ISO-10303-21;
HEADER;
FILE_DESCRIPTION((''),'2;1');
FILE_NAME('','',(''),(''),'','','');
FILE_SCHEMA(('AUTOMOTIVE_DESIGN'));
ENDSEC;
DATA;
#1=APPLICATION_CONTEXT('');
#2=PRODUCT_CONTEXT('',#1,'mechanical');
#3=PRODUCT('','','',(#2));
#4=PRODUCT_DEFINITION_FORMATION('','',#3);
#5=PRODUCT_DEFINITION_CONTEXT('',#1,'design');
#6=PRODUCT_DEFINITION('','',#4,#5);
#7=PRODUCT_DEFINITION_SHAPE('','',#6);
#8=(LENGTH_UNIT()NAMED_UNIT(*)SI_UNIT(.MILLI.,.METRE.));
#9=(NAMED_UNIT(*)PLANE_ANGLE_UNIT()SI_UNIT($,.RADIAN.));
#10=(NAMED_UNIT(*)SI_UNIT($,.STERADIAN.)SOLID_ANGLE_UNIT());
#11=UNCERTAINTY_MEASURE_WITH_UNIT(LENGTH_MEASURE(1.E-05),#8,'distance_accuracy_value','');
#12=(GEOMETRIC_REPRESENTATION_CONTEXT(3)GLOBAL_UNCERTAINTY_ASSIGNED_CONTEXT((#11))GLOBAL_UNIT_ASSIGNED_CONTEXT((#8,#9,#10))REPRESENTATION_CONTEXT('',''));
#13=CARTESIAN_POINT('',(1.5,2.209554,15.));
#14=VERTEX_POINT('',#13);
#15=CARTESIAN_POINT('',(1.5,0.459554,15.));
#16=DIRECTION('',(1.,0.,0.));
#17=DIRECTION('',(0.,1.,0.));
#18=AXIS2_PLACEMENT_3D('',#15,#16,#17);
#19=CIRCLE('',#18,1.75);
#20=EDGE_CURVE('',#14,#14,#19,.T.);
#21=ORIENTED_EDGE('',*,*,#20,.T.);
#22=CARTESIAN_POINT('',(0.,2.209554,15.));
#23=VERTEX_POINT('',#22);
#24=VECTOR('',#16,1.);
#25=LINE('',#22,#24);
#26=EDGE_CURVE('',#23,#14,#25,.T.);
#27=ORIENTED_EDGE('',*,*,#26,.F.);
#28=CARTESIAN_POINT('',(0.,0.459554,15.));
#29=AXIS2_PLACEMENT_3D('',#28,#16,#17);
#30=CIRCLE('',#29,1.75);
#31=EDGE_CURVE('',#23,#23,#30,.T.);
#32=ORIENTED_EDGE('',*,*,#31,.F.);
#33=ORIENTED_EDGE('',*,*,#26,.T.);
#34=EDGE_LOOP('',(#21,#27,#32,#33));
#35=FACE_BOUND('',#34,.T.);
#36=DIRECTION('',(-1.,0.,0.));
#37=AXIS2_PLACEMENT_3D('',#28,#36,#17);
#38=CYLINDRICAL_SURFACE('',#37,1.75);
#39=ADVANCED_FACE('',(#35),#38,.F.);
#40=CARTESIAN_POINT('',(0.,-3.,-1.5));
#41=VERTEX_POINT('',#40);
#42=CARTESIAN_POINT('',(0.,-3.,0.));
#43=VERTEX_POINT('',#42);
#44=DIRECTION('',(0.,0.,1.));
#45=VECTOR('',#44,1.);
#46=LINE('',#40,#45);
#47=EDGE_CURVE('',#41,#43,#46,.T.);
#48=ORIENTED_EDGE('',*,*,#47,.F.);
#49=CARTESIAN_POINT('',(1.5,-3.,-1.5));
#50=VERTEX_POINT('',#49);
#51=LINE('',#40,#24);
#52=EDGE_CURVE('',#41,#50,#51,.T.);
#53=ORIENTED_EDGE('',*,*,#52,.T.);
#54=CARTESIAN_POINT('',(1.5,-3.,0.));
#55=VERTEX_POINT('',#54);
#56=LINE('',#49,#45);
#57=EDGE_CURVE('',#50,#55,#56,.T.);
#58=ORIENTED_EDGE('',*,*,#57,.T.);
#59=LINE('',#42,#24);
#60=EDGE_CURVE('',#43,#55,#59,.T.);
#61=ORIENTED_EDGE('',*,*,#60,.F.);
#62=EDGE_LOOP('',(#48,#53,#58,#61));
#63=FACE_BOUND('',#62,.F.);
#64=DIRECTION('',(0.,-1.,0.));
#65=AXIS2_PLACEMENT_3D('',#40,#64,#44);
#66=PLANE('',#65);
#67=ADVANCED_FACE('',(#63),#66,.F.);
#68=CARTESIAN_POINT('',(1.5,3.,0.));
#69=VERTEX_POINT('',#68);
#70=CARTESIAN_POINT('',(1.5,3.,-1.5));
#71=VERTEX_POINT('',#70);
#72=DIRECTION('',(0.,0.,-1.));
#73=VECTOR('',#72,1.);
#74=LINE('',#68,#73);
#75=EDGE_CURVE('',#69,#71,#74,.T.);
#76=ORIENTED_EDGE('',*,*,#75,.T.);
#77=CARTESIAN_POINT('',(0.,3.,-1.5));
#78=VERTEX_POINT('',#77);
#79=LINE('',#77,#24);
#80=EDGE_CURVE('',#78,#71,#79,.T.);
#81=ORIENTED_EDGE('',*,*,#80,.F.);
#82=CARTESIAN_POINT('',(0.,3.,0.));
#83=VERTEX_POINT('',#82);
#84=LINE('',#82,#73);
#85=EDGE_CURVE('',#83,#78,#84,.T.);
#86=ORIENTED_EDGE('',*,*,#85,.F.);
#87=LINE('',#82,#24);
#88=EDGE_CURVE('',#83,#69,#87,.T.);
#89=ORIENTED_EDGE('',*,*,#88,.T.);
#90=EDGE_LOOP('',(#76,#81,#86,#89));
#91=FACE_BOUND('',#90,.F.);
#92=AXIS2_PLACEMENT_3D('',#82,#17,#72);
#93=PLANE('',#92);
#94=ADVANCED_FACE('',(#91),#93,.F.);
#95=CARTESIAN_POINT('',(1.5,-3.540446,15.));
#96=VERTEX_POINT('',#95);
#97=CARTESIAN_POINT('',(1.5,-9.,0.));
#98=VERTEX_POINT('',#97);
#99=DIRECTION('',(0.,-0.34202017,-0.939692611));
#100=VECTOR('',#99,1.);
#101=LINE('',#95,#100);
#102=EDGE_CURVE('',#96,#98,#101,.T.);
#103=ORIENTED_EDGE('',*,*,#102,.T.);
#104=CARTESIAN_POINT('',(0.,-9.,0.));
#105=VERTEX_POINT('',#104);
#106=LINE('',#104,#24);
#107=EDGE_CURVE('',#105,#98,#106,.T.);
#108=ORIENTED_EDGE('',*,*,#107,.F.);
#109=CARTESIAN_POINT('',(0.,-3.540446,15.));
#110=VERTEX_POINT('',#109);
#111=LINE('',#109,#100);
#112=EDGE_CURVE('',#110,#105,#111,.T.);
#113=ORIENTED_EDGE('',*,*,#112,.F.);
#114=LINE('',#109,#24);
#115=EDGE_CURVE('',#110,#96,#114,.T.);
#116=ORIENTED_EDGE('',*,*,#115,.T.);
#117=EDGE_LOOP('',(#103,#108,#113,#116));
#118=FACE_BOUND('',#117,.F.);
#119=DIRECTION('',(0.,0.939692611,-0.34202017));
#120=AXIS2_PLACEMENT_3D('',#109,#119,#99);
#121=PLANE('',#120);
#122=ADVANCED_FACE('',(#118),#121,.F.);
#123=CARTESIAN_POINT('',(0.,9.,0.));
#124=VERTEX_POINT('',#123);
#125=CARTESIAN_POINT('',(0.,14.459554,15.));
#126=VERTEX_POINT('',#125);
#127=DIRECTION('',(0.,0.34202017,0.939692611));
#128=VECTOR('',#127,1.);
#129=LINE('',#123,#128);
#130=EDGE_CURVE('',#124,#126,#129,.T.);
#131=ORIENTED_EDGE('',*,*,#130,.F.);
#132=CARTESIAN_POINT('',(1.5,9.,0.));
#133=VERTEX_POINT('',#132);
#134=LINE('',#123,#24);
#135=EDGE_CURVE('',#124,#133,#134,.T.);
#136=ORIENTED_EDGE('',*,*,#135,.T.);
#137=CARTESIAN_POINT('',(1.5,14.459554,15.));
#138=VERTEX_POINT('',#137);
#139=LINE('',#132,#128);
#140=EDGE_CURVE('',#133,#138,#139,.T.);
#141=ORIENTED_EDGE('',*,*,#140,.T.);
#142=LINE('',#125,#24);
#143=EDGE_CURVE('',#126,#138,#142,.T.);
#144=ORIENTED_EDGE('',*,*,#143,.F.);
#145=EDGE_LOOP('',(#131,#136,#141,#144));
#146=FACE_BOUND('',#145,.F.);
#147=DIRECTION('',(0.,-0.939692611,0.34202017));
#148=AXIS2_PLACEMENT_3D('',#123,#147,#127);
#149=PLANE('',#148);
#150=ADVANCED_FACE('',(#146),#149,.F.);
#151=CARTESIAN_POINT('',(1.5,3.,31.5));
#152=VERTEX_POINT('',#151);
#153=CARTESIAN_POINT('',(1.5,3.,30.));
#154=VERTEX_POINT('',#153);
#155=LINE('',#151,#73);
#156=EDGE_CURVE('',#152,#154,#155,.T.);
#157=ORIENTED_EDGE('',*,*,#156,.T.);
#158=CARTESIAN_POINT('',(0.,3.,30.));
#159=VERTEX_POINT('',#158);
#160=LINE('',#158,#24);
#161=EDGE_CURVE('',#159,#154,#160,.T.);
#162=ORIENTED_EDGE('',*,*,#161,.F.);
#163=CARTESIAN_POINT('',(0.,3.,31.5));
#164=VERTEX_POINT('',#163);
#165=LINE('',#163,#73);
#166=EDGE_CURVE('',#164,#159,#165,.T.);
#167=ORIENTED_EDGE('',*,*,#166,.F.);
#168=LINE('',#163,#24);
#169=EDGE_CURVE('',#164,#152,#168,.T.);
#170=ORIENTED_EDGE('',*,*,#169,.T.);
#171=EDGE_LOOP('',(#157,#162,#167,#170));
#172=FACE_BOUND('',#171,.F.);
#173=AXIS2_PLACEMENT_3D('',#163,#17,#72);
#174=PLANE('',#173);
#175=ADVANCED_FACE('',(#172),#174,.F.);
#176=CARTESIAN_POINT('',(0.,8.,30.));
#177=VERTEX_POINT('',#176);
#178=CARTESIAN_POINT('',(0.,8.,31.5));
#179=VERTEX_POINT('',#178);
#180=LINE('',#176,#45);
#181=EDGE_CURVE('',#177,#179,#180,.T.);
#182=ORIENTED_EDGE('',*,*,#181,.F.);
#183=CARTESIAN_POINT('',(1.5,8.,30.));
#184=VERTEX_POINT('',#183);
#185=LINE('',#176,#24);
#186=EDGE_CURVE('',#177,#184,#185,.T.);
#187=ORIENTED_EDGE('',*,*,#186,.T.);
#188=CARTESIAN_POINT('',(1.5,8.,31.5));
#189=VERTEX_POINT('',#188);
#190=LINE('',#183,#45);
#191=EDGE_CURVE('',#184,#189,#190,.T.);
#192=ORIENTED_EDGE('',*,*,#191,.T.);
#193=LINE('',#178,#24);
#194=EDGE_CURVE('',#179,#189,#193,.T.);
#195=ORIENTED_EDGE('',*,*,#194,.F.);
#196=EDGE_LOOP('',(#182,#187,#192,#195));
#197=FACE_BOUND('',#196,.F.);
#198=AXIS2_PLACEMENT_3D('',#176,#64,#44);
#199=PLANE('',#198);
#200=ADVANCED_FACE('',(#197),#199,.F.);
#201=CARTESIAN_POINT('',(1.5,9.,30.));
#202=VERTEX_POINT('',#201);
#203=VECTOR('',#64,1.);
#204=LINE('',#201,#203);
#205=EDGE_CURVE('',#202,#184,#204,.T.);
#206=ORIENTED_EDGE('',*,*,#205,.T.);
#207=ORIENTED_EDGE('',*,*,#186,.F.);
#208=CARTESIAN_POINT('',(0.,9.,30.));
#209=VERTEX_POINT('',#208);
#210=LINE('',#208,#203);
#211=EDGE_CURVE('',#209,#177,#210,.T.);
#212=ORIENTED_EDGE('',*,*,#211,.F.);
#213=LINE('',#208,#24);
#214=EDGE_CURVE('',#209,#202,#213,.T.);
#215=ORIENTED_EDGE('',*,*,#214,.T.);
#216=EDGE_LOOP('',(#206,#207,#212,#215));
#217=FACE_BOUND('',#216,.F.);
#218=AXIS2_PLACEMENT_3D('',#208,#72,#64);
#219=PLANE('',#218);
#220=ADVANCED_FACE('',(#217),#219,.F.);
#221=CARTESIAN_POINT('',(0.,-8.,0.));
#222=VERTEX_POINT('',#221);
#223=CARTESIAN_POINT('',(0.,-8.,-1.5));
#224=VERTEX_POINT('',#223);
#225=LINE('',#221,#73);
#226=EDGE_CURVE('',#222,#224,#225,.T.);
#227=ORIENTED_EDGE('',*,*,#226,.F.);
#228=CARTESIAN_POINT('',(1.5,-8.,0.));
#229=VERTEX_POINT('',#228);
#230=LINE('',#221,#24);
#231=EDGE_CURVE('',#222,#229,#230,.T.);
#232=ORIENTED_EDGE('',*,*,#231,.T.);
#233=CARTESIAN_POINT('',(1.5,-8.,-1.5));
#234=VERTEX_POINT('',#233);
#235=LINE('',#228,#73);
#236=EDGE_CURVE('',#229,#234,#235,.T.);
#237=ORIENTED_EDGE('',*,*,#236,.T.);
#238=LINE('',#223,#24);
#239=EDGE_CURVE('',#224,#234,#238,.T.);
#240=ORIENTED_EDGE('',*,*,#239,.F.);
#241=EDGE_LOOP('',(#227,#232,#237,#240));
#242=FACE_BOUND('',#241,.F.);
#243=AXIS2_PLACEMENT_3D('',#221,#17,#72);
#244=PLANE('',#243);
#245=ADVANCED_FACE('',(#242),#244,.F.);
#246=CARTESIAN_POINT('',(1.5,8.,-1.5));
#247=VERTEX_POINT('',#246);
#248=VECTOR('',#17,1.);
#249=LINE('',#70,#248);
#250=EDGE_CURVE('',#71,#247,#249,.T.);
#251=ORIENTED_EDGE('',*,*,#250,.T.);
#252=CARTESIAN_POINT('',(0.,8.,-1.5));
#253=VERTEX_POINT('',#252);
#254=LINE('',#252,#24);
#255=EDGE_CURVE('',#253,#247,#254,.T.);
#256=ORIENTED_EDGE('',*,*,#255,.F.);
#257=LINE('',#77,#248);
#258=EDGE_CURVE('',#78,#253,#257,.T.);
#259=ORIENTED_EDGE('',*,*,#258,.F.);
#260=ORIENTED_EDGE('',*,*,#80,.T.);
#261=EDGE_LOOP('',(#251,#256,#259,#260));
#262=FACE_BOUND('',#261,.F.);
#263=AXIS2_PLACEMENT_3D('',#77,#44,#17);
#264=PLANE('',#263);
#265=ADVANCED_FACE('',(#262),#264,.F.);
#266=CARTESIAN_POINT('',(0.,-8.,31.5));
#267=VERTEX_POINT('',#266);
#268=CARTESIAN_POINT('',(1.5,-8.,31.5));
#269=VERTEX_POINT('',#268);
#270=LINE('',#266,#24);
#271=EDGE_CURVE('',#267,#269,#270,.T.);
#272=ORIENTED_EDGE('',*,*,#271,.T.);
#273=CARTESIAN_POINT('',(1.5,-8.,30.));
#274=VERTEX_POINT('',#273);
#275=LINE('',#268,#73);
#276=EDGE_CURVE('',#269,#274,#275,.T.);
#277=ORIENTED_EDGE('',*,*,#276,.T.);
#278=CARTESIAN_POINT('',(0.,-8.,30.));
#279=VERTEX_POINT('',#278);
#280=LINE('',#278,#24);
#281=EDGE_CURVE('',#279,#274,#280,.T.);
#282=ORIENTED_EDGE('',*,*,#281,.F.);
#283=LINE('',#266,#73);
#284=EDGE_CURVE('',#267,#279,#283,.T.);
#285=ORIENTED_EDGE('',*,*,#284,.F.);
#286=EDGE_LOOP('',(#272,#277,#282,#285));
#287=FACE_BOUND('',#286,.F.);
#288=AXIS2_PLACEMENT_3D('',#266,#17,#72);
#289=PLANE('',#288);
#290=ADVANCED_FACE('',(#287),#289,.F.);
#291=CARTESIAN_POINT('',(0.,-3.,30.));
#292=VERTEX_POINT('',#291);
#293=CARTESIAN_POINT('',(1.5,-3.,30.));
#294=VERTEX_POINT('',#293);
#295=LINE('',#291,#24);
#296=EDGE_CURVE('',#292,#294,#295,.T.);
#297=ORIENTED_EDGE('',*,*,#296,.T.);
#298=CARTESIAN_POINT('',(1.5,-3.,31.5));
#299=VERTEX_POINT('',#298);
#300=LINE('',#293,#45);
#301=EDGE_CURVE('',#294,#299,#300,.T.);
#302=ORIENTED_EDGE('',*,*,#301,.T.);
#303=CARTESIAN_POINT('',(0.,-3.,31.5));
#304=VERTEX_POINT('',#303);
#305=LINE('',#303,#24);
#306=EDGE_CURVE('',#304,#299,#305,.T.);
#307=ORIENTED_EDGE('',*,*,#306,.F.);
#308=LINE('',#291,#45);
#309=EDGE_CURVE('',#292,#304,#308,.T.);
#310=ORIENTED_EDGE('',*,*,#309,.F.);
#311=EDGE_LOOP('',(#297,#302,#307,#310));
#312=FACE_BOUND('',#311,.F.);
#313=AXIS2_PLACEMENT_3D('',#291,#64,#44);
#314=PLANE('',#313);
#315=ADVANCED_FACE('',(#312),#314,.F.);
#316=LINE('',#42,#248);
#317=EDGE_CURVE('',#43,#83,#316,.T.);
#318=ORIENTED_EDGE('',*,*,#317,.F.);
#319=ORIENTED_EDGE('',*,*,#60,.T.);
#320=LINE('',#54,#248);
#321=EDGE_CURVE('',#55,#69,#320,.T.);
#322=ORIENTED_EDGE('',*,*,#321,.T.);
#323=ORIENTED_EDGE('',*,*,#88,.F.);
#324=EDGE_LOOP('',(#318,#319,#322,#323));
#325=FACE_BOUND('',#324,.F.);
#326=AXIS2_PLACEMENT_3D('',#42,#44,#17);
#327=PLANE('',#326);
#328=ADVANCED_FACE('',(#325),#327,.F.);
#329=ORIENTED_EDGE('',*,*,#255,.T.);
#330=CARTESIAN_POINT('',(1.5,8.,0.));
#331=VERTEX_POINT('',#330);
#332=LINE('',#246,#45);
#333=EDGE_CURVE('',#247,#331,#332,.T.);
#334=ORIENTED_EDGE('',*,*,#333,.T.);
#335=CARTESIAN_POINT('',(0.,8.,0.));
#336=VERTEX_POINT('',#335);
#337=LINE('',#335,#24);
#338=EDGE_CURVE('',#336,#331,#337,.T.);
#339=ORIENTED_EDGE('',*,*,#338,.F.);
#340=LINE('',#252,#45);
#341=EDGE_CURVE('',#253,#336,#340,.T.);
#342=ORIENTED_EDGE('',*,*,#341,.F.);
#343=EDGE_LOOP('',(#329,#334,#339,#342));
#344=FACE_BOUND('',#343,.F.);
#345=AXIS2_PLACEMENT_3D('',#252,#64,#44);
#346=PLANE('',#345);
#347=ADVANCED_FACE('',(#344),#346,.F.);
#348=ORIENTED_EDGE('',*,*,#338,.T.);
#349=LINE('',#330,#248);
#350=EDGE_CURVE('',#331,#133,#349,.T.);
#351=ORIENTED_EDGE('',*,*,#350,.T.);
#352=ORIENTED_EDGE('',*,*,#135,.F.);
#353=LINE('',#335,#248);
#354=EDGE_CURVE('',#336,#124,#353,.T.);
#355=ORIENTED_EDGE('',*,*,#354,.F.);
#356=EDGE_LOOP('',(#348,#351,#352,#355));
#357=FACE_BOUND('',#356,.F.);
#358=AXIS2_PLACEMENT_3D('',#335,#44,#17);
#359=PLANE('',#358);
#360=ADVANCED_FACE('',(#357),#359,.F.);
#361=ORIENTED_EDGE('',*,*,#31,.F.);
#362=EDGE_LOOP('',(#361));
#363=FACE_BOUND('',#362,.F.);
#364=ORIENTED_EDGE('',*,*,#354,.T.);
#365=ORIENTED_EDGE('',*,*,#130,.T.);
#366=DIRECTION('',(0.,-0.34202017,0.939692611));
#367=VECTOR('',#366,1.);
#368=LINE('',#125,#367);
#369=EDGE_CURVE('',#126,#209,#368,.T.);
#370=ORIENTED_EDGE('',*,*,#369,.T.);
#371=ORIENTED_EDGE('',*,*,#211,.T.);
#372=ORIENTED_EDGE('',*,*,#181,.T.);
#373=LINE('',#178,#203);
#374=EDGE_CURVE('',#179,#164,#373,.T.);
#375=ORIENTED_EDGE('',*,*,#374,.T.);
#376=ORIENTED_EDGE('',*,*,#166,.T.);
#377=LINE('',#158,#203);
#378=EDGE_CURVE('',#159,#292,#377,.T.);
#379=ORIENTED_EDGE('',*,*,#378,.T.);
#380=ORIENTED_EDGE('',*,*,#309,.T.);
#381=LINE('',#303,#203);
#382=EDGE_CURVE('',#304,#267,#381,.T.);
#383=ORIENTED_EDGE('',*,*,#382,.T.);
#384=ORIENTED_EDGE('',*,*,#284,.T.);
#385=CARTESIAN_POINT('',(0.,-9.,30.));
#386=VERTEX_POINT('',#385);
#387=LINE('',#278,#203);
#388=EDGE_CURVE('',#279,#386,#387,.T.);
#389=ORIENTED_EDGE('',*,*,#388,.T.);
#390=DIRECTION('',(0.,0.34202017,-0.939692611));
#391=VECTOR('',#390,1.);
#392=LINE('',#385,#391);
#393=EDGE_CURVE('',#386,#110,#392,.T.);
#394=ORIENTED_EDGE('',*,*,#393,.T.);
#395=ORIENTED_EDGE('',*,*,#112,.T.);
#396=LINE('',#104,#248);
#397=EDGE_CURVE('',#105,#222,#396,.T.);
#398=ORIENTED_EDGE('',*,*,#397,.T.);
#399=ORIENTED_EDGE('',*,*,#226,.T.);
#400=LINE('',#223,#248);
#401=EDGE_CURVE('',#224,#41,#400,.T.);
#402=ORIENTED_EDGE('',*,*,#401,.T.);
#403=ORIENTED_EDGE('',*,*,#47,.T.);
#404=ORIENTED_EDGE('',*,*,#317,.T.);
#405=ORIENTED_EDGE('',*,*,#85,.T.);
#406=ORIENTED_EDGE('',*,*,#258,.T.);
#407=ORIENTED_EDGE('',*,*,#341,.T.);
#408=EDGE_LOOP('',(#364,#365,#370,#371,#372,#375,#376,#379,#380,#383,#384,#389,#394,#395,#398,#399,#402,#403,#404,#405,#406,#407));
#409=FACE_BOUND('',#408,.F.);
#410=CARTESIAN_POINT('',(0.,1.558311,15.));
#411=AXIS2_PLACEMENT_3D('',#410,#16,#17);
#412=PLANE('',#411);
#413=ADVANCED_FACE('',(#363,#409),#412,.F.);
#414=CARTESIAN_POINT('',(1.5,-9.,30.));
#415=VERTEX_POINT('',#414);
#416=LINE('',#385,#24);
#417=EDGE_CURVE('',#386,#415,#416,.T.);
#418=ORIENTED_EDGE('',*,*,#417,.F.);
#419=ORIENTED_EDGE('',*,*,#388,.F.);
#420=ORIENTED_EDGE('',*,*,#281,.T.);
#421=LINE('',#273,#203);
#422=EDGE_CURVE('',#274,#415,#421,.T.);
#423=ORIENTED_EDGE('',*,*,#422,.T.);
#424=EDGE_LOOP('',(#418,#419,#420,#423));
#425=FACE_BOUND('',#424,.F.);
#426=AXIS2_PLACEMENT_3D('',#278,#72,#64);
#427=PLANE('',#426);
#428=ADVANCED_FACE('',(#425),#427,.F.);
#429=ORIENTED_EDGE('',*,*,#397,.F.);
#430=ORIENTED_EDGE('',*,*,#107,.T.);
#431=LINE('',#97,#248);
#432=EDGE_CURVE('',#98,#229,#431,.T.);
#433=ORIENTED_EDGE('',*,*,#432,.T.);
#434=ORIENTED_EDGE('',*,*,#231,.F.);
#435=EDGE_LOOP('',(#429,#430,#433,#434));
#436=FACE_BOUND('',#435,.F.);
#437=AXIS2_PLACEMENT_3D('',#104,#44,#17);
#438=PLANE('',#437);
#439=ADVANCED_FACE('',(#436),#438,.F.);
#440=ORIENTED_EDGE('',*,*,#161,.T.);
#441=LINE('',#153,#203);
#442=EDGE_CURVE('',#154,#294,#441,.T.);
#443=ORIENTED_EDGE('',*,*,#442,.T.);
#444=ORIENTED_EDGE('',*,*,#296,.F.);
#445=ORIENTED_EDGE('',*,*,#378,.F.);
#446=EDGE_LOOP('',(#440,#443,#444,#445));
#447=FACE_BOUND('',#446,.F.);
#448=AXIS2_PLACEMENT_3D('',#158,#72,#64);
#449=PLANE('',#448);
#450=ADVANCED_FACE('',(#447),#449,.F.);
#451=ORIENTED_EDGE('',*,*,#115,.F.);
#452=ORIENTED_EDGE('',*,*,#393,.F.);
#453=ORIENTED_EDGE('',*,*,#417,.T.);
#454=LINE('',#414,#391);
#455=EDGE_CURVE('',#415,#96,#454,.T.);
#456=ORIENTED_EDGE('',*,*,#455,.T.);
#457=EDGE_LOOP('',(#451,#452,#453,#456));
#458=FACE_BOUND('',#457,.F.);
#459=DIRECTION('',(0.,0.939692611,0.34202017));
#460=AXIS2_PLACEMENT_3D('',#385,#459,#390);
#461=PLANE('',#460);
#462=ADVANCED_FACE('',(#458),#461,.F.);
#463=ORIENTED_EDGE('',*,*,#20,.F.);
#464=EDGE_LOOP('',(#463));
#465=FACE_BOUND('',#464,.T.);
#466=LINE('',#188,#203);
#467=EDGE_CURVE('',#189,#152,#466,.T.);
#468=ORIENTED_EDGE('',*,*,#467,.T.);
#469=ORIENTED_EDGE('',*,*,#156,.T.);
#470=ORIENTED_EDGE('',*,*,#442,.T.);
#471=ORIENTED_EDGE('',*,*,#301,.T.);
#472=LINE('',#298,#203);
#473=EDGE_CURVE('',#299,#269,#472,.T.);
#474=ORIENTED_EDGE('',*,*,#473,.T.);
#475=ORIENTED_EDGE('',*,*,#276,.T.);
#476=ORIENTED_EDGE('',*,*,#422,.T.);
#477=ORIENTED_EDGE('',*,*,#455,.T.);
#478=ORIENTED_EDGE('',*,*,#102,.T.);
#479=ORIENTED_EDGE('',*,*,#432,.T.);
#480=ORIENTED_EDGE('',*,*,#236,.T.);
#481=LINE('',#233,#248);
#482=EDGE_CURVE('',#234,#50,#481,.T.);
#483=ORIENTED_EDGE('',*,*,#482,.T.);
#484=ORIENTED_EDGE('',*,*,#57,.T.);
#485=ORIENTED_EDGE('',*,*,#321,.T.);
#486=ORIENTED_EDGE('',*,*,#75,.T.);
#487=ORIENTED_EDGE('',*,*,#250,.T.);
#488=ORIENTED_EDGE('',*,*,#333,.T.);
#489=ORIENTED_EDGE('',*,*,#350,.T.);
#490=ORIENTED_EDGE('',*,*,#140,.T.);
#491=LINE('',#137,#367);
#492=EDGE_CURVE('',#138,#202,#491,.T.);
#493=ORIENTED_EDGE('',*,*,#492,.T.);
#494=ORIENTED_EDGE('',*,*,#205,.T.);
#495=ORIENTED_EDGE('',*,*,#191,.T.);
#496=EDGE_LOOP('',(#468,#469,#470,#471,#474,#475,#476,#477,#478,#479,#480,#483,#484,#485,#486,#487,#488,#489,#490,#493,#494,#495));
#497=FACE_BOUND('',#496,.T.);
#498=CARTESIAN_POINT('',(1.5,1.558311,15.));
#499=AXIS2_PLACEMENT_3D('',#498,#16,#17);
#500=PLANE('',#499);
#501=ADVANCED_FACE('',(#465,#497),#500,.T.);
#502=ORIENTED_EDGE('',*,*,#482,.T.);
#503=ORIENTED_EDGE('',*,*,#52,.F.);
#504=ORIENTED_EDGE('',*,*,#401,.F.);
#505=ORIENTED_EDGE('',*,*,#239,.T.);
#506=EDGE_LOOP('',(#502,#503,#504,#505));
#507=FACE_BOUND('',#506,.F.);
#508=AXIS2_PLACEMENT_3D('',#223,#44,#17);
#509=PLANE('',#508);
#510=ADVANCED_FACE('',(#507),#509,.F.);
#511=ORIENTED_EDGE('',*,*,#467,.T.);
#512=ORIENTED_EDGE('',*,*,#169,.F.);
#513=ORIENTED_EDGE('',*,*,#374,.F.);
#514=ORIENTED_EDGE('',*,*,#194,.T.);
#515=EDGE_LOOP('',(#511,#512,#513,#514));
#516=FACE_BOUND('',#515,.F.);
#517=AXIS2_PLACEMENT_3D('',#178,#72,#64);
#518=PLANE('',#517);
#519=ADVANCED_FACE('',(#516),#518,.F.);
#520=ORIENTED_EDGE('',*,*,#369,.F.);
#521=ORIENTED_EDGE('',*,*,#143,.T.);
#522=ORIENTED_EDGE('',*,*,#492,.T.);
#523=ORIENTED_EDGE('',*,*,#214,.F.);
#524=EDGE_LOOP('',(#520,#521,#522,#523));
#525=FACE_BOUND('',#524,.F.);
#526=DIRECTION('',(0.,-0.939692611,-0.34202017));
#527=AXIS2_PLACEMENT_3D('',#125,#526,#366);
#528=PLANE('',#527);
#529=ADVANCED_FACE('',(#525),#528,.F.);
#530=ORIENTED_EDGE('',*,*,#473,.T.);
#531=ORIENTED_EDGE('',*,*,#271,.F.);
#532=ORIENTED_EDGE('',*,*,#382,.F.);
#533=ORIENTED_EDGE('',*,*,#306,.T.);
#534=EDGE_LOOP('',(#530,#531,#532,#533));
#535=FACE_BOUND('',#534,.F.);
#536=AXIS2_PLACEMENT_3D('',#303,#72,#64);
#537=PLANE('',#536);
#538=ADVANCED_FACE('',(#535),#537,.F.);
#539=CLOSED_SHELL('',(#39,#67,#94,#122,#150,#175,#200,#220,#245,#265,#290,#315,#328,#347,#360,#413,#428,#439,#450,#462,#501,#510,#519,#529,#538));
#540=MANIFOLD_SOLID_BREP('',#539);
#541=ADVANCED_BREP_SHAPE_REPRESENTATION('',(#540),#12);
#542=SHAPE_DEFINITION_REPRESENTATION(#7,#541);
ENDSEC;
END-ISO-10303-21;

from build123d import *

# Parameters (mm, degrees)
F0_R     = 1.75
F1_DEPTH = 1.5


with BuildPart() as f1:
    # F0 (on Right) → F1 (new body)
    with BuildSketch(Plane.YZ):
        Polygon((-3, -1.5), (-3, 0), (3, 0), (3, -1.5), (8, -1.5), (8, 0), (9, 0), (14.459554, 15), (9, 30), (8, 30), (8, 31.5), (3, 31.5), (3, 30), (-3, 30), (-3, 31.5), (-8, 31.5), (-8, 30), (-9, 30), (-3.540446, 15), (-9, 0), (-8, 0), (-8, -1.5), align=None)
        with Locations((0.459554, 15)):
            Circle(F0_R, mode=Mode.SUBTRACT)
    extrude(amount=F1_DEPTH)


solid = f1.part
